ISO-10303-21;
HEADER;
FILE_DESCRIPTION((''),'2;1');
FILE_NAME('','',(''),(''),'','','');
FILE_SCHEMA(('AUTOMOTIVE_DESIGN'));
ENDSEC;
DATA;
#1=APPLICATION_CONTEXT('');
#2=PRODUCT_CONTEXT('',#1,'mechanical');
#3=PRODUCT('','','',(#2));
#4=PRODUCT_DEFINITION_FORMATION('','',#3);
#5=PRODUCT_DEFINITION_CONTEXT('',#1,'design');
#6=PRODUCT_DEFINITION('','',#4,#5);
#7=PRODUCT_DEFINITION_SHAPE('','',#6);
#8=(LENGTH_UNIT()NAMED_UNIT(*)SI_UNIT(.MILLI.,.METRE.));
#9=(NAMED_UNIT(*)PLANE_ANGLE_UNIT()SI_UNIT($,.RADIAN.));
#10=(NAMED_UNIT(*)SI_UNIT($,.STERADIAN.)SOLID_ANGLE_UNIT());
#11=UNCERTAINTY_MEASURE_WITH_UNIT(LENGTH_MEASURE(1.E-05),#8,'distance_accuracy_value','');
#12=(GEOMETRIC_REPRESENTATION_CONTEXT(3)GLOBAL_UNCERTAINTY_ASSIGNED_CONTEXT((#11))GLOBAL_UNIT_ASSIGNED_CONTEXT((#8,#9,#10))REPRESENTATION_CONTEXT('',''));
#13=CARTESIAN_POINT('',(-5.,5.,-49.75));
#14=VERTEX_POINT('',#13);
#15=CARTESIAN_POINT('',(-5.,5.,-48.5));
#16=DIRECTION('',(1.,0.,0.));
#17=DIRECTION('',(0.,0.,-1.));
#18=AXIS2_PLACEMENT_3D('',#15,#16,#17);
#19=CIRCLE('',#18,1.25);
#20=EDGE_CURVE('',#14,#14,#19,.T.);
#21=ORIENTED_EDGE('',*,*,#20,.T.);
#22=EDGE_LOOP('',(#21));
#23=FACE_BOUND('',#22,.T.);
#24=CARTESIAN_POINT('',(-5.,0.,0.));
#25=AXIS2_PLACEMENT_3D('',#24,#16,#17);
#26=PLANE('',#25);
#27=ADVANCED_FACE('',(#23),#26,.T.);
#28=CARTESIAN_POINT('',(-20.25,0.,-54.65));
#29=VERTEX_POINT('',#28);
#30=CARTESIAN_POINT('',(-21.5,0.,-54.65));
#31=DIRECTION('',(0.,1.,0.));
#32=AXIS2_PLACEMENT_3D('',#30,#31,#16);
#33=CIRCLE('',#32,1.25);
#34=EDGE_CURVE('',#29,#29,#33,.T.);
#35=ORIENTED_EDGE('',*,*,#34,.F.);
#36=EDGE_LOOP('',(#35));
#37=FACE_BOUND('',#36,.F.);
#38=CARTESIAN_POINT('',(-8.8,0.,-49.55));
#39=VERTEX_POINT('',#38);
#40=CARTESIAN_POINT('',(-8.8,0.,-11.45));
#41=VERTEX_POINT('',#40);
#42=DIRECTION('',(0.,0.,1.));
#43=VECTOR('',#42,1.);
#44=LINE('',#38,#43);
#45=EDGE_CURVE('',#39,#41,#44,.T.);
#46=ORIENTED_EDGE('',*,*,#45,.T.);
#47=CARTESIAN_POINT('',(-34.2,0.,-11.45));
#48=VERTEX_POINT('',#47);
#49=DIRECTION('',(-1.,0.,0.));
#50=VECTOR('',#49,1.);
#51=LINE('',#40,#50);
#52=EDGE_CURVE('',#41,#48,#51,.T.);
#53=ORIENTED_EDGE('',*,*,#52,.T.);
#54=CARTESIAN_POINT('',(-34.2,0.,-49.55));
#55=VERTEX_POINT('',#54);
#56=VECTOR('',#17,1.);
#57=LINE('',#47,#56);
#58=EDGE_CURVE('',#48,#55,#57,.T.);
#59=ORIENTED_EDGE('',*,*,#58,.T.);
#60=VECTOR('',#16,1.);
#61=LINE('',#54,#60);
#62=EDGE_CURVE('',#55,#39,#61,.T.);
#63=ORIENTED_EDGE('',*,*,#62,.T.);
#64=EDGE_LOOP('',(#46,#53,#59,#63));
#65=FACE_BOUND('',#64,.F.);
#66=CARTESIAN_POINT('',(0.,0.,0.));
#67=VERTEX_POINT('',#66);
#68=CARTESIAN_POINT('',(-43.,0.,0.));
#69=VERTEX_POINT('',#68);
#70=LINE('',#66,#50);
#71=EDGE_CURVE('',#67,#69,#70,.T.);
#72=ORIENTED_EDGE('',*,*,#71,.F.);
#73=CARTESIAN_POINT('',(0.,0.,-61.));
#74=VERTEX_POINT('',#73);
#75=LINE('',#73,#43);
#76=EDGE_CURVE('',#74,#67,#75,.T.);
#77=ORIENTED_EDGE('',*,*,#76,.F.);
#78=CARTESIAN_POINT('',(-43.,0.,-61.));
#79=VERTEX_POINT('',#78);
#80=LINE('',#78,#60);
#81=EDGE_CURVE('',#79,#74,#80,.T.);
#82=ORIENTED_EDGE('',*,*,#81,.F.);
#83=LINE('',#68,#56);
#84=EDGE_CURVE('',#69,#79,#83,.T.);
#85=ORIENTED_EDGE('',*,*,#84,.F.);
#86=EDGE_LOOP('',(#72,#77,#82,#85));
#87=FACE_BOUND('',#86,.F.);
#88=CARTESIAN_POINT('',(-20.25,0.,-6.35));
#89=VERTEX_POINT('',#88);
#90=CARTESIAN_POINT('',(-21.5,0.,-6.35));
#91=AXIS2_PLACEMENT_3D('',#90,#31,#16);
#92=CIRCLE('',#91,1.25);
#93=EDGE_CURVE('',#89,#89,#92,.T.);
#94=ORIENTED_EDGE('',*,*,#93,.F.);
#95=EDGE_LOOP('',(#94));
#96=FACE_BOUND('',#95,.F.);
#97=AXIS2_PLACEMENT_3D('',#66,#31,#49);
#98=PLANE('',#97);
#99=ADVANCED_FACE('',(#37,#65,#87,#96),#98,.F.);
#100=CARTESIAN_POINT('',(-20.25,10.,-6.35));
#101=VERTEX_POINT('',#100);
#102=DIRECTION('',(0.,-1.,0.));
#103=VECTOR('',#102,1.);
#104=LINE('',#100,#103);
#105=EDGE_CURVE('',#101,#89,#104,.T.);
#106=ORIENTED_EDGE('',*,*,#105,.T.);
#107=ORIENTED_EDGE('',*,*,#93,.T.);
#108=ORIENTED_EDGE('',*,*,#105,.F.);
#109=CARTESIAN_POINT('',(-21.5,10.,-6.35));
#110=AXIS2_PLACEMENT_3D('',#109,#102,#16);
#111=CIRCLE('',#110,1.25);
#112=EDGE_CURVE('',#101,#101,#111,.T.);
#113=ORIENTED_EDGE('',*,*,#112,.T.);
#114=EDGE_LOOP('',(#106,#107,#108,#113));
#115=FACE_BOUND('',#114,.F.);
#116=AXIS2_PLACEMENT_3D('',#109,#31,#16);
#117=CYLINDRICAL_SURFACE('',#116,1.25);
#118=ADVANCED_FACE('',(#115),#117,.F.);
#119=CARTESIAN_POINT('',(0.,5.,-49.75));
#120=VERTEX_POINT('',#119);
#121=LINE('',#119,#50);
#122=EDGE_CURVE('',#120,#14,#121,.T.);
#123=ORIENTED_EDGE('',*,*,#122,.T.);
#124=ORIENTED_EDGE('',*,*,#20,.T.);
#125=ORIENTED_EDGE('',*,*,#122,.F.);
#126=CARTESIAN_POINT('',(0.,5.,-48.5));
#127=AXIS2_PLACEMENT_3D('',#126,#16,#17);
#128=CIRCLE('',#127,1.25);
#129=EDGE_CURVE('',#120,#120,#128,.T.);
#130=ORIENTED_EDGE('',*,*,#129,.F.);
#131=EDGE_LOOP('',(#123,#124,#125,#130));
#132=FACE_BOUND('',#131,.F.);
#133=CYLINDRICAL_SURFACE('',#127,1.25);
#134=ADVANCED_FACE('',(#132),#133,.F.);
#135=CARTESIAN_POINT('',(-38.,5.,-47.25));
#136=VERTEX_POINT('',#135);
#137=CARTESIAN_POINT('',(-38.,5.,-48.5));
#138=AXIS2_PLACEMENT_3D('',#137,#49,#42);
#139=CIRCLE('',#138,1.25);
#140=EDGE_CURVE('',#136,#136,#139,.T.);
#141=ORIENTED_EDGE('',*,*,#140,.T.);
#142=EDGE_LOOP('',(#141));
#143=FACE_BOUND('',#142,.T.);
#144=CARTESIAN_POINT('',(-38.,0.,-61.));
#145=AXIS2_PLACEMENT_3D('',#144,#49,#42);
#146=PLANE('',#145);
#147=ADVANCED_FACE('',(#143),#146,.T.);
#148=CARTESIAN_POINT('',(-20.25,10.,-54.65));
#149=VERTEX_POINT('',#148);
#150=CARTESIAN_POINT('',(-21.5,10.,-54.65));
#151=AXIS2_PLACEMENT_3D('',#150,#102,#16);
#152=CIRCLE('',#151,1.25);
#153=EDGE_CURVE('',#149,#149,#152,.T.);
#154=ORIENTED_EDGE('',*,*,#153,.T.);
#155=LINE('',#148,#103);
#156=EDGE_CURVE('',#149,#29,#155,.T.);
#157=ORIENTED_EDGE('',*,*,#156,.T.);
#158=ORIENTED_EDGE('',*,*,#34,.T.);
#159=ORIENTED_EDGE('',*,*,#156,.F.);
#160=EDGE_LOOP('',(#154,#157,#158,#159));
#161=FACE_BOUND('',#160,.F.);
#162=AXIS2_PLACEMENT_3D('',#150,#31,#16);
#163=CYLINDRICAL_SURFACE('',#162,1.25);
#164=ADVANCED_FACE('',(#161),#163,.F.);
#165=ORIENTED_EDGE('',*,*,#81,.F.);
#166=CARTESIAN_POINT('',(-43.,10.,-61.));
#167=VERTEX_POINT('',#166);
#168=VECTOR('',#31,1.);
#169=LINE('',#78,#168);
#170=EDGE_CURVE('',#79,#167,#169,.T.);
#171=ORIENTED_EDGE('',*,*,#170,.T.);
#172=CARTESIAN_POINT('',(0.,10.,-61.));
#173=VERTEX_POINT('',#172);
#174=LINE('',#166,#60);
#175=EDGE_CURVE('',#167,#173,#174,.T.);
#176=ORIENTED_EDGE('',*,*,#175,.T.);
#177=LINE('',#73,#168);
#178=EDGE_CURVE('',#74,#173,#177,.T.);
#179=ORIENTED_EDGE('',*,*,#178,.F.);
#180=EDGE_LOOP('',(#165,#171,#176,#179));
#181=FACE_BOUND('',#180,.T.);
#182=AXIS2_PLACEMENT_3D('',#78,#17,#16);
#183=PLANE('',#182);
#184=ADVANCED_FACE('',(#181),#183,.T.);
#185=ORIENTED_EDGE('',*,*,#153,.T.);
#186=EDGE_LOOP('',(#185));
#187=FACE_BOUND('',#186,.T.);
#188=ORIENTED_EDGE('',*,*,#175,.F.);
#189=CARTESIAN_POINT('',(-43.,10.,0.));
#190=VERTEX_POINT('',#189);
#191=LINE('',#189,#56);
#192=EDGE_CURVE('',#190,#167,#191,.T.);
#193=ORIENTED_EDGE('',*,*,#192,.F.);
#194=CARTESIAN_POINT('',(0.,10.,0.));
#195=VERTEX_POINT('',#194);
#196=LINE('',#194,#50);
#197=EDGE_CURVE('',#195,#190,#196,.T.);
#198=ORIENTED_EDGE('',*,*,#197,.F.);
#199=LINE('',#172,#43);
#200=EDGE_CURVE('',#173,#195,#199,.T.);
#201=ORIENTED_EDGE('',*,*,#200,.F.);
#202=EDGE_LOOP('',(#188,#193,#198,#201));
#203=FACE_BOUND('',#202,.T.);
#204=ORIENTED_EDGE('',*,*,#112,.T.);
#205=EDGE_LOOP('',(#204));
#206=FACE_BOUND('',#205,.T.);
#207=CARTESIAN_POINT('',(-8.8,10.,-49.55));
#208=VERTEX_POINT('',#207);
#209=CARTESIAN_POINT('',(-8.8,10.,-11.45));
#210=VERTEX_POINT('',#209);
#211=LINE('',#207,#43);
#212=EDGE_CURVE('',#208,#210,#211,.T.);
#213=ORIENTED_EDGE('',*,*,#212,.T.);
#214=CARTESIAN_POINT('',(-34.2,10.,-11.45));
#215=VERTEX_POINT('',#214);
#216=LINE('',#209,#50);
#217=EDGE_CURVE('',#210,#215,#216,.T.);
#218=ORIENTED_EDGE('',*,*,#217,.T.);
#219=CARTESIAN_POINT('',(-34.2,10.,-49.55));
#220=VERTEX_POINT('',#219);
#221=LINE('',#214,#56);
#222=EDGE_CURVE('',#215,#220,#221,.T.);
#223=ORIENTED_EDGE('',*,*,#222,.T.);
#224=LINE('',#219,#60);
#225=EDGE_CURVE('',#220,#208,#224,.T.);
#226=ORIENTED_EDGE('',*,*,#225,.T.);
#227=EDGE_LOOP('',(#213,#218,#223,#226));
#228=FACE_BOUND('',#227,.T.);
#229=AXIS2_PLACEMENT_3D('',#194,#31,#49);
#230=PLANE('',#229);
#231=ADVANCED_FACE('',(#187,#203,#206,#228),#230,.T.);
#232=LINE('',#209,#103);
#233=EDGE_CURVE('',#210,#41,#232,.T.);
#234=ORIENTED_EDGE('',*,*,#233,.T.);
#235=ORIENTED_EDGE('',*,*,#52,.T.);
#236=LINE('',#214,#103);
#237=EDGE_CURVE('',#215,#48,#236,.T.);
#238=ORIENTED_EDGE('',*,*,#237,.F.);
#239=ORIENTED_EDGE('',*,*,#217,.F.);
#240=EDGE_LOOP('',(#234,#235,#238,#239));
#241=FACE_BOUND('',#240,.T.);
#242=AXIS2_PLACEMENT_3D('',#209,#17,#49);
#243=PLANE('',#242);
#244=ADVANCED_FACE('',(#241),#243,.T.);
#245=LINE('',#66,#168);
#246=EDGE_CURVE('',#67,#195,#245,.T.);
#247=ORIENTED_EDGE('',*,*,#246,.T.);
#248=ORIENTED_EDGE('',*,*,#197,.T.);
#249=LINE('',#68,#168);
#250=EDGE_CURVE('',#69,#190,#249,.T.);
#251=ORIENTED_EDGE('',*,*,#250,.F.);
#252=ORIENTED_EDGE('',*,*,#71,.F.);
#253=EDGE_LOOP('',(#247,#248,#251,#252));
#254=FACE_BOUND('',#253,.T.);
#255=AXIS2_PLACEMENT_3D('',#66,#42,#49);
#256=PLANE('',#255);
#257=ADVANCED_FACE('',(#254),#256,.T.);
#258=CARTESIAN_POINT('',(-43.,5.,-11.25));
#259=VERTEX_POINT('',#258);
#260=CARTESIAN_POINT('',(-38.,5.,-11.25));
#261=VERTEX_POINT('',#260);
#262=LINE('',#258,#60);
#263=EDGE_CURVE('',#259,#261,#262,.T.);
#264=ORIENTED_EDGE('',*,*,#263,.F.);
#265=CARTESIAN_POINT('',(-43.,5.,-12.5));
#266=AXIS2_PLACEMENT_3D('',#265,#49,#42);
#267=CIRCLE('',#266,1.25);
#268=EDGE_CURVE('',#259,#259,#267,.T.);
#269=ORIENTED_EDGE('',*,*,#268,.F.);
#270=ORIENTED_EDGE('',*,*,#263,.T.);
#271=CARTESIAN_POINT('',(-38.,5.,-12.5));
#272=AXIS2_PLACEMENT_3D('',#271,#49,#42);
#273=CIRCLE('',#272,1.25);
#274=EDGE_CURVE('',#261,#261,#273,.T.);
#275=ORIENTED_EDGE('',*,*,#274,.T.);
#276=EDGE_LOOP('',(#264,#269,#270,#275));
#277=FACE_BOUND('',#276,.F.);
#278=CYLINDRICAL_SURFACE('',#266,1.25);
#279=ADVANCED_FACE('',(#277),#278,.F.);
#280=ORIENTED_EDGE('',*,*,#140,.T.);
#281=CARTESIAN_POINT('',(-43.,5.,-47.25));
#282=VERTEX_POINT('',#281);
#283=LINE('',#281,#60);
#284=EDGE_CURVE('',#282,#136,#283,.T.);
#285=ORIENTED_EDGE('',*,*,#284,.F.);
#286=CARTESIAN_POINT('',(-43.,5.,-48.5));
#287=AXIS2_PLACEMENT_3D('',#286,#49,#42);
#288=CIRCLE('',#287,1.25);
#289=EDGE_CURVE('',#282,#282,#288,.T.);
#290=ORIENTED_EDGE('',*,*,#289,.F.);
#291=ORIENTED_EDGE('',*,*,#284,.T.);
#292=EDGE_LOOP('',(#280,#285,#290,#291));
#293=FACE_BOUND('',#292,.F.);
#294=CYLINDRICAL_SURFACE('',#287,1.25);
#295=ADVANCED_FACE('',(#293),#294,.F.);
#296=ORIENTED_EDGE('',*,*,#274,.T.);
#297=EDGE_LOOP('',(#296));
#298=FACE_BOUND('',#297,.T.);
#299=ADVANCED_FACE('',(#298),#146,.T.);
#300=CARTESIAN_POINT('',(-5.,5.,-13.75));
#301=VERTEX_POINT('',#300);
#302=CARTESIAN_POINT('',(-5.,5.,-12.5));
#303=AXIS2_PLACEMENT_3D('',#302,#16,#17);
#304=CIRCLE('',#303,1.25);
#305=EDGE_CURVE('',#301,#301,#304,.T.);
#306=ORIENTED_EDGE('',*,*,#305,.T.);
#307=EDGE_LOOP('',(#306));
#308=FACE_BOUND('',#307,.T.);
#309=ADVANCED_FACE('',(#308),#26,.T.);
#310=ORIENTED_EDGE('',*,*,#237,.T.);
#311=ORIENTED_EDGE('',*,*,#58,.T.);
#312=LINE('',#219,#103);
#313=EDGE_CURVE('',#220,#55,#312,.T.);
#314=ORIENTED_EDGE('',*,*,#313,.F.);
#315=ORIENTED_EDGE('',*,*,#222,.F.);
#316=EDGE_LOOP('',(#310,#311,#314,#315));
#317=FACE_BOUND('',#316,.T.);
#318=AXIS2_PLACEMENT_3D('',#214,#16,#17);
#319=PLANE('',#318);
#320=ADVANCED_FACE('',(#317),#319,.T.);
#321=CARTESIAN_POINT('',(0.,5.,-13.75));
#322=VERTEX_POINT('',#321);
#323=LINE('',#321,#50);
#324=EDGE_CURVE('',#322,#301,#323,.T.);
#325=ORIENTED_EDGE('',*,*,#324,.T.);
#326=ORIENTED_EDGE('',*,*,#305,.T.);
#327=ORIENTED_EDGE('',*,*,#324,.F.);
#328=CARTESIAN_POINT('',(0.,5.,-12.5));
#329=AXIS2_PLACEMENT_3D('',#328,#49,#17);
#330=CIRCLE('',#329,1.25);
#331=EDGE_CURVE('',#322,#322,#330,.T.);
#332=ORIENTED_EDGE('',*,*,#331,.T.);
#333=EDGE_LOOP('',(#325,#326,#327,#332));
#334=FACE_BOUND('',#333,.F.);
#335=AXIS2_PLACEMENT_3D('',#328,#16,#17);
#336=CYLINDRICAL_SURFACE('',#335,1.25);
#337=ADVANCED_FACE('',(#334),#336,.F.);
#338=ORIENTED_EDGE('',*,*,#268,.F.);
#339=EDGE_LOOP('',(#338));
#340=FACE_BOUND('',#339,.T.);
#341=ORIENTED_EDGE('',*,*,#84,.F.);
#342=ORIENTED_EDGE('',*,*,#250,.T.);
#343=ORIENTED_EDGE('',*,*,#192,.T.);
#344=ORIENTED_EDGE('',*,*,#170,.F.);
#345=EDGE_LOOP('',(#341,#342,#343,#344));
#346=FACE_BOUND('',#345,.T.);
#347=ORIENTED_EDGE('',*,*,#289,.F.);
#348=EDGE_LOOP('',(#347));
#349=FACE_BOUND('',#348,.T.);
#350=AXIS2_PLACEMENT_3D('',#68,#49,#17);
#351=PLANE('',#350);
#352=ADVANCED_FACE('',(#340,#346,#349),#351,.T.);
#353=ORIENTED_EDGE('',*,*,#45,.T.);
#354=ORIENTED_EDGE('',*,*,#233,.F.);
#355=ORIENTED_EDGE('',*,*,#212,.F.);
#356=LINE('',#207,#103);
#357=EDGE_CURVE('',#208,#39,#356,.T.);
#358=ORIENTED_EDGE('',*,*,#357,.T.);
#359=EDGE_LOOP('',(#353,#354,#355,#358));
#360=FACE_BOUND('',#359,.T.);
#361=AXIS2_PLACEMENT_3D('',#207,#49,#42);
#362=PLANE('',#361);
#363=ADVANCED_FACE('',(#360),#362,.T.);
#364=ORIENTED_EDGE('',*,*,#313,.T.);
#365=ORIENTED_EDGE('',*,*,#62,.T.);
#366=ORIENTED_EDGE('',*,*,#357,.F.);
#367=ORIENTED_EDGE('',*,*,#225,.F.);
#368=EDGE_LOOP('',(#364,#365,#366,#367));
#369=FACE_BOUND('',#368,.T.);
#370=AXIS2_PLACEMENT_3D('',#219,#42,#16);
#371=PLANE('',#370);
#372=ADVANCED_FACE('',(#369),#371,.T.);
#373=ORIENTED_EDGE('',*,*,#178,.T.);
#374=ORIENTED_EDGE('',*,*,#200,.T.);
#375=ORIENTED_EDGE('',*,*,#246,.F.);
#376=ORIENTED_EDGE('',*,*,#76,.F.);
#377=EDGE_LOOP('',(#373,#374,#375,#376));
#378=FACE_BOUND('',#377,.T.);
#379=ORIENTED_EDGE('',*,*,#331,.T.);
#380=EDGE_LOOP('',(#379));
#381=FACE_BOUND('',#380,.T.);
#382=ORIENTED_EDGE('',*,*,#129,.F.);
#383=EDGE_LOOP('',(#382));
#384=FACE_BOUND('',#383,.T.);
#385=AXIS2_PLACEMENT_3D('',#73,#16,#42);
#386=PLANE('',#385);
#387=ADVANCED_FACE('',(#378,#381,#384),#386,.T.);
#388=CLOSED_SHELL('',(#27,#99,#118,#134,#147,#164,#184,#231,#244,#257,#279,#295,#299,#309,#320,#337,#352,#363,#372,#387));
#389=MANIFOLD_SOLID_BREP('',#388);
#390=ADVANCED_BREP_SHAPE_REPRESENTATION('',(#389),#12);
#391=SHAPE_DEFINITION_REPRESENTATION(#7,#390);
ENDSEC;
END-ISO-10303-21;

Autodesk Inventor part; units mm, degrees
ref_plane "YZ Plane" through (0, 0, 0) normal (1, 0, 0) x (0, 1, 0)
ref_plane "XZ Plane" through (0, 0, 0) normal (0, 1, 0) x (-1, 0, 0)
ref_plane "XY Plane" through (0, 0, 0) normal (0, 0, 1) x (1, 0, 0)
sketch "Sketch1" plane through (0, 0, 0) normal (0, 1, 0) x (-1, 0, 0)
  line L0 (0, 0) -> (43, 0)
  line L1 (43, 0) -> (43, -61)
  line L2 (43, -61) -> (0, -61)
  line L3 (0, -61) -> (0, 0)
  dimension "d0" = 61
  dimension "d1" = 43
extrude "Extrusion1" add sketch "Sketch1" along normal blind 10
sketch "Sketch2" plane through (0, 0, 0) normal (1, 0, 0) x (0, 0, -1)
  line L0 (0, 0) -> (0, 10) projected
  line L1 (0, 5) -> (12.5, 5)
  circle A0 centre (12.5, 5) radius 1.25
  line L2 (0, 10) -> (61, 10) projected
  line L3 (30.5, 10) -> (30.5, 0)
  circle A1 centre (48.5, 5) radius 1.25
  dimension "d4" = 12.5
  dimension "d5" = 2.5
extrude "Extrusion2" cut sketch "Sketch2" against normal blind 5
sketch "Sketch3" plane through (-43, 0, -61) normal (-1, 0, 0) x (0, 0, 1)
  line L0 (61, 0) -> (0, 0) projected
  line L1 (61, 0) -> (61, 10) projected
  line L2 (0, 10) -> (61, 10) projected
  line L3 (0, 0) -> (0, 10) projected
  circle A0 centre (48.5, 5) radius 1.25 projected
  circle A1 centre (12.5, 5) radius 1.25 projected
extrude "Extrusion3" cut sketch "Sketch3" against normal blind 5 contours A0 | A1
sketch "Sketch4" plane through (0, 10, 0) normal (0, 1, 0) x (1, 0, 0)
  line L0 (-43, 0) -> (0, 0) projected
  line L1 (0, 61) -> (-43, 61) projected
  line L2 (-21.5, 0) -> (-21.5, 6.35)
  line L3 (-21.5, 61) -> (-21.5, 54.65)
  circle A0 centre (-21.5, 6.35) radius 1.25
  circle A1 centre (-21.5, 54.65) radius 1.25
  dimension "d10" = 6.35
  dimension "d11" = 6.35
  dimension "d12" = 2.5
  dimension "d13" = 2.5
extrude "Extrusion4" cut sketch "Sketch4" against normal up to surface (10 mm away)
sketch "Sketch5" plane through (0, 10, 0) normal (0, 1, 0) x (1, 0, 0)
  circle A0 centre (-21.5, 6.35) radius 1.25 projected
  circle A1 centre (-21.5, 54.65) radius 1.25 projected
  line L0 (-43, 0) -> (0, 0) projected
  line L1 (0, 0) -> (0, 61) projected
  line L2 (0, 61) -> (-43, 61) projected
  line L3 (-43, 61) -> (-43, 0) projected
  line L4 (-8.8, 11.45) -> (-34.2, 11.45)
  line L5 (-34.2, 11.45) -> (-34.2, 49.55)
  line L6 (-34.2, 49.55) -> (-8.8, 49.55)
  line L7 (-8.8, 49.55) -> (-8.8, 11.45)
  line L8 (-8.8, 11.45) -> (-34.2, 49.55) construction
  line L9 (-34.2, 11.45) -> (-8.8, 49.55) construction
  point P0 (-21.5, 30.5)
  dimension "d16" = 25.4
  dimension "d17" = 38.1
extrude "Extrusion5" cut sketch "Sketch5" against normal up to surface (10 mm away) contours L4 L5 L6 L7
properties part number "bottomTiltOnly"
